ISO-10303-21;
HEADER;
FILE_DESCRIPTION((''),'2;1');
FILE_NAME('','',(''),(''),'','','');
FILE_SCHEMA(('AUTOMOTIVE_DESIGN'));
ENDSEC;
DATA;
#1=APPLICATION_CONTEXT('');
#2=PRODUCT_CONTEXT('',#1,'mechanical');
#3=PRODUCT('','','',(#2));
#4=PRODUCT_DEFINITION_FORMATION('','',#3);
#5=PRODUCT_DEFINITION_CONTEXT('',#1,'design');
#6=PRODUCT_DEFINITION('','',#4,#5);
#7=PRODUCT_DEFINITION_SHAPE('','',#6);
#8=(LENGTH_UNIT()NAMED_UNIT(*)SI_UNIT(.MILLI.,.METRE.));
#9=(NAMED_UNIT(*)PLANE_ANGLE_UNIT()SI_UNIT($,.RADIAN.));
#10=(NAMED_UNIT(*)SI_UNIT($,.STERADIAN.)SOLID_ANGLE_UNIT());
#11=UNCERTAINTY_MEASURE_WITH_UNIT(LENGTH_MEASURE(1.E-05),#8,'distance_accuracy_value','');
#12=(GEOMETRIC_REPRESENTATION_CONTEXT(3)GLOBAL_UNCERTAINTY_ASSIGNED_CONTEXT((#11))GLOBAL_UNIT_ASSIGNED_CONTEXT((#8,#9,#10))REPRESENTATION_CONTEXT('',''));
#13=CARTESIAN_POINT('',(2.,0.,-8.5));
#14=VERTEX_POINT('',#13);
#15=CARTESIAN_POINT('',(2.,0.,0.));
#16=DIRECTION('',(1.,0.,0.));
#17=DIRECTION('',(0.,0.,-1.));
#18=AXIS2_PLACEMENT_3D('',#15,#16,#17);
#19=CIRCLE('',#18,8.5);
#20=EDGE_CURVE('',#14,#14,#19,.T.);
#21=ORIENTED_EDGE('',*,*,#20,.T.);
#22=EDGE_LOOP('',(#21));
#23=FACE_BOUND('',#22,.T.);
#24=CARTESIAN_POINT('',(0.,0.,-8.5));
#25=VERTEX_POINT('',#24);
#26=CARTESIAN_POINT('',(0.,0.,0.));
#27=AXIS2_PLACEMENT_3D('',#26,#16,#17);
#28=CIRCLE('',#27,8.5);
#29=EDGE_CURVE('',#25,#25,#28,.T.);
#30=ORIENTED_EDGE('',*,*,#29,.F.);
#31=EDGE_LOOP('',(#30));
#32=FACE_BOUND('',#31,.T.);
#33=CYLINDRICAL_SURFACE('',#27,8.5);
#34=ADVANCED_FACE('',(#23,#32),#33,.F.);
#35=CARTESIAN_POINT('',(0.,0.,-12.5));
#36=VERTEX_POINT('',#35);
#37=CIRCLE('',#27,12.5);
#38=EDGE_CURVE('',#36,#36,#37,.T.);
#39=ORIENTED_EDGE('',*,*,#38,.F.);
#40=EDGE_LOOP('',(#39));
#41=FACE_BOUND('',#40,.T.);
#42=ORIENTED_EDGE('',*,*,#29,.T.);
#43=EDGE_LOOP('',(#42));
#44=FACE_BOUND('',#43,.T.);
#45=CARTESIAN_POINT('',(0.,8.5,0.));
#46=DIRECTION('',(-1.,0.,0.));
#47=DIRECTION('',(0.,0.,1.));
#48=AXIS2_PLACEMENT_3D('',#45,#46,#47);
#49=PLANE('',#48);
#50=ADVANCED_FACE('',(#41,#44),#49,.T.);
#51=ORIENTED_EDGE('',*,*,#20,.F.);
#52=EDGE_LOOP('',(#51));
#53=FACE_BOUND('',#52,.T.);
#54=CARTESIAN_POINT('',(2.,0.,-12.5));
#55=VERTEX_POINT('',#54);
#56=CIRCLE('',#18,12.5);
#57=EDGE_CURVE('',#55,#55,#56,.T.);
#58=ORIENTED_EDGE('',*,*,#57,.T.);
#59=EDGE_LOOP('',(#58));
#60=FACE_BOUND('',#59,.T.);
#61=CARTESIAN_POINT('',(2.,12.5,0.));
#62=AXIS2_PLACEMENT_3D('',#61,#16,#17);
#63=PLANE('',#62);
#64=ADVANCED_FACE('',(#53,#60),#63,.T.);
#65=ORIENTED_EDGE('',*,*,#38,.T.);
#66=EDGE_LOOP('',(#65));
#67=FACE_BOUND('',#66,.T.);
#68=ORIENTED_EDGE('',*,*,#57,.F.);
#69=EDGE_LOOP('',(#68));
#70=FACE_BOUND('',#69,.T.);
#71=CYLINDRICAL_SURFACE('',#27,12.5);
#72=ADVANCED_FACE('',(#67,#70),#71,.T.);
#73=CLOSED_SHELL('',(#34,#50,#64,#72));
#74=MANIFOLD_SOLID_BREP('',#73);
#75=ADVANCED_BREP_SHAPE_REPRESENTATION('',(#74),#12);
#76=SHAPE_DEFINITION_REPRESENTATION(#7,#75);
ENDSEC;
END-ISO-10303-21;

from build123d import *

# Parameters (mm, degrees)
SKETCH_1_W = 2
SKETCH_1_H = 4


with BuildPart() as part:
    # 草图1 → 旋转1 (revolve)
    with BuildSketch(Plane.XY, mode=Mode.PRIVATE) as revolve_1_sk:
        with Locations((1, 10.5)):
            Rectangle(SKETCH_1_W, SKETCH_1_H)
    revolve(revolve_1_sk.sketch.rotate(Axis((0, 0, 0), (-1, 0, 0)), 90), axis=Axis((0, 0, 0), (-1, 0, 0)))


solid = part.part
